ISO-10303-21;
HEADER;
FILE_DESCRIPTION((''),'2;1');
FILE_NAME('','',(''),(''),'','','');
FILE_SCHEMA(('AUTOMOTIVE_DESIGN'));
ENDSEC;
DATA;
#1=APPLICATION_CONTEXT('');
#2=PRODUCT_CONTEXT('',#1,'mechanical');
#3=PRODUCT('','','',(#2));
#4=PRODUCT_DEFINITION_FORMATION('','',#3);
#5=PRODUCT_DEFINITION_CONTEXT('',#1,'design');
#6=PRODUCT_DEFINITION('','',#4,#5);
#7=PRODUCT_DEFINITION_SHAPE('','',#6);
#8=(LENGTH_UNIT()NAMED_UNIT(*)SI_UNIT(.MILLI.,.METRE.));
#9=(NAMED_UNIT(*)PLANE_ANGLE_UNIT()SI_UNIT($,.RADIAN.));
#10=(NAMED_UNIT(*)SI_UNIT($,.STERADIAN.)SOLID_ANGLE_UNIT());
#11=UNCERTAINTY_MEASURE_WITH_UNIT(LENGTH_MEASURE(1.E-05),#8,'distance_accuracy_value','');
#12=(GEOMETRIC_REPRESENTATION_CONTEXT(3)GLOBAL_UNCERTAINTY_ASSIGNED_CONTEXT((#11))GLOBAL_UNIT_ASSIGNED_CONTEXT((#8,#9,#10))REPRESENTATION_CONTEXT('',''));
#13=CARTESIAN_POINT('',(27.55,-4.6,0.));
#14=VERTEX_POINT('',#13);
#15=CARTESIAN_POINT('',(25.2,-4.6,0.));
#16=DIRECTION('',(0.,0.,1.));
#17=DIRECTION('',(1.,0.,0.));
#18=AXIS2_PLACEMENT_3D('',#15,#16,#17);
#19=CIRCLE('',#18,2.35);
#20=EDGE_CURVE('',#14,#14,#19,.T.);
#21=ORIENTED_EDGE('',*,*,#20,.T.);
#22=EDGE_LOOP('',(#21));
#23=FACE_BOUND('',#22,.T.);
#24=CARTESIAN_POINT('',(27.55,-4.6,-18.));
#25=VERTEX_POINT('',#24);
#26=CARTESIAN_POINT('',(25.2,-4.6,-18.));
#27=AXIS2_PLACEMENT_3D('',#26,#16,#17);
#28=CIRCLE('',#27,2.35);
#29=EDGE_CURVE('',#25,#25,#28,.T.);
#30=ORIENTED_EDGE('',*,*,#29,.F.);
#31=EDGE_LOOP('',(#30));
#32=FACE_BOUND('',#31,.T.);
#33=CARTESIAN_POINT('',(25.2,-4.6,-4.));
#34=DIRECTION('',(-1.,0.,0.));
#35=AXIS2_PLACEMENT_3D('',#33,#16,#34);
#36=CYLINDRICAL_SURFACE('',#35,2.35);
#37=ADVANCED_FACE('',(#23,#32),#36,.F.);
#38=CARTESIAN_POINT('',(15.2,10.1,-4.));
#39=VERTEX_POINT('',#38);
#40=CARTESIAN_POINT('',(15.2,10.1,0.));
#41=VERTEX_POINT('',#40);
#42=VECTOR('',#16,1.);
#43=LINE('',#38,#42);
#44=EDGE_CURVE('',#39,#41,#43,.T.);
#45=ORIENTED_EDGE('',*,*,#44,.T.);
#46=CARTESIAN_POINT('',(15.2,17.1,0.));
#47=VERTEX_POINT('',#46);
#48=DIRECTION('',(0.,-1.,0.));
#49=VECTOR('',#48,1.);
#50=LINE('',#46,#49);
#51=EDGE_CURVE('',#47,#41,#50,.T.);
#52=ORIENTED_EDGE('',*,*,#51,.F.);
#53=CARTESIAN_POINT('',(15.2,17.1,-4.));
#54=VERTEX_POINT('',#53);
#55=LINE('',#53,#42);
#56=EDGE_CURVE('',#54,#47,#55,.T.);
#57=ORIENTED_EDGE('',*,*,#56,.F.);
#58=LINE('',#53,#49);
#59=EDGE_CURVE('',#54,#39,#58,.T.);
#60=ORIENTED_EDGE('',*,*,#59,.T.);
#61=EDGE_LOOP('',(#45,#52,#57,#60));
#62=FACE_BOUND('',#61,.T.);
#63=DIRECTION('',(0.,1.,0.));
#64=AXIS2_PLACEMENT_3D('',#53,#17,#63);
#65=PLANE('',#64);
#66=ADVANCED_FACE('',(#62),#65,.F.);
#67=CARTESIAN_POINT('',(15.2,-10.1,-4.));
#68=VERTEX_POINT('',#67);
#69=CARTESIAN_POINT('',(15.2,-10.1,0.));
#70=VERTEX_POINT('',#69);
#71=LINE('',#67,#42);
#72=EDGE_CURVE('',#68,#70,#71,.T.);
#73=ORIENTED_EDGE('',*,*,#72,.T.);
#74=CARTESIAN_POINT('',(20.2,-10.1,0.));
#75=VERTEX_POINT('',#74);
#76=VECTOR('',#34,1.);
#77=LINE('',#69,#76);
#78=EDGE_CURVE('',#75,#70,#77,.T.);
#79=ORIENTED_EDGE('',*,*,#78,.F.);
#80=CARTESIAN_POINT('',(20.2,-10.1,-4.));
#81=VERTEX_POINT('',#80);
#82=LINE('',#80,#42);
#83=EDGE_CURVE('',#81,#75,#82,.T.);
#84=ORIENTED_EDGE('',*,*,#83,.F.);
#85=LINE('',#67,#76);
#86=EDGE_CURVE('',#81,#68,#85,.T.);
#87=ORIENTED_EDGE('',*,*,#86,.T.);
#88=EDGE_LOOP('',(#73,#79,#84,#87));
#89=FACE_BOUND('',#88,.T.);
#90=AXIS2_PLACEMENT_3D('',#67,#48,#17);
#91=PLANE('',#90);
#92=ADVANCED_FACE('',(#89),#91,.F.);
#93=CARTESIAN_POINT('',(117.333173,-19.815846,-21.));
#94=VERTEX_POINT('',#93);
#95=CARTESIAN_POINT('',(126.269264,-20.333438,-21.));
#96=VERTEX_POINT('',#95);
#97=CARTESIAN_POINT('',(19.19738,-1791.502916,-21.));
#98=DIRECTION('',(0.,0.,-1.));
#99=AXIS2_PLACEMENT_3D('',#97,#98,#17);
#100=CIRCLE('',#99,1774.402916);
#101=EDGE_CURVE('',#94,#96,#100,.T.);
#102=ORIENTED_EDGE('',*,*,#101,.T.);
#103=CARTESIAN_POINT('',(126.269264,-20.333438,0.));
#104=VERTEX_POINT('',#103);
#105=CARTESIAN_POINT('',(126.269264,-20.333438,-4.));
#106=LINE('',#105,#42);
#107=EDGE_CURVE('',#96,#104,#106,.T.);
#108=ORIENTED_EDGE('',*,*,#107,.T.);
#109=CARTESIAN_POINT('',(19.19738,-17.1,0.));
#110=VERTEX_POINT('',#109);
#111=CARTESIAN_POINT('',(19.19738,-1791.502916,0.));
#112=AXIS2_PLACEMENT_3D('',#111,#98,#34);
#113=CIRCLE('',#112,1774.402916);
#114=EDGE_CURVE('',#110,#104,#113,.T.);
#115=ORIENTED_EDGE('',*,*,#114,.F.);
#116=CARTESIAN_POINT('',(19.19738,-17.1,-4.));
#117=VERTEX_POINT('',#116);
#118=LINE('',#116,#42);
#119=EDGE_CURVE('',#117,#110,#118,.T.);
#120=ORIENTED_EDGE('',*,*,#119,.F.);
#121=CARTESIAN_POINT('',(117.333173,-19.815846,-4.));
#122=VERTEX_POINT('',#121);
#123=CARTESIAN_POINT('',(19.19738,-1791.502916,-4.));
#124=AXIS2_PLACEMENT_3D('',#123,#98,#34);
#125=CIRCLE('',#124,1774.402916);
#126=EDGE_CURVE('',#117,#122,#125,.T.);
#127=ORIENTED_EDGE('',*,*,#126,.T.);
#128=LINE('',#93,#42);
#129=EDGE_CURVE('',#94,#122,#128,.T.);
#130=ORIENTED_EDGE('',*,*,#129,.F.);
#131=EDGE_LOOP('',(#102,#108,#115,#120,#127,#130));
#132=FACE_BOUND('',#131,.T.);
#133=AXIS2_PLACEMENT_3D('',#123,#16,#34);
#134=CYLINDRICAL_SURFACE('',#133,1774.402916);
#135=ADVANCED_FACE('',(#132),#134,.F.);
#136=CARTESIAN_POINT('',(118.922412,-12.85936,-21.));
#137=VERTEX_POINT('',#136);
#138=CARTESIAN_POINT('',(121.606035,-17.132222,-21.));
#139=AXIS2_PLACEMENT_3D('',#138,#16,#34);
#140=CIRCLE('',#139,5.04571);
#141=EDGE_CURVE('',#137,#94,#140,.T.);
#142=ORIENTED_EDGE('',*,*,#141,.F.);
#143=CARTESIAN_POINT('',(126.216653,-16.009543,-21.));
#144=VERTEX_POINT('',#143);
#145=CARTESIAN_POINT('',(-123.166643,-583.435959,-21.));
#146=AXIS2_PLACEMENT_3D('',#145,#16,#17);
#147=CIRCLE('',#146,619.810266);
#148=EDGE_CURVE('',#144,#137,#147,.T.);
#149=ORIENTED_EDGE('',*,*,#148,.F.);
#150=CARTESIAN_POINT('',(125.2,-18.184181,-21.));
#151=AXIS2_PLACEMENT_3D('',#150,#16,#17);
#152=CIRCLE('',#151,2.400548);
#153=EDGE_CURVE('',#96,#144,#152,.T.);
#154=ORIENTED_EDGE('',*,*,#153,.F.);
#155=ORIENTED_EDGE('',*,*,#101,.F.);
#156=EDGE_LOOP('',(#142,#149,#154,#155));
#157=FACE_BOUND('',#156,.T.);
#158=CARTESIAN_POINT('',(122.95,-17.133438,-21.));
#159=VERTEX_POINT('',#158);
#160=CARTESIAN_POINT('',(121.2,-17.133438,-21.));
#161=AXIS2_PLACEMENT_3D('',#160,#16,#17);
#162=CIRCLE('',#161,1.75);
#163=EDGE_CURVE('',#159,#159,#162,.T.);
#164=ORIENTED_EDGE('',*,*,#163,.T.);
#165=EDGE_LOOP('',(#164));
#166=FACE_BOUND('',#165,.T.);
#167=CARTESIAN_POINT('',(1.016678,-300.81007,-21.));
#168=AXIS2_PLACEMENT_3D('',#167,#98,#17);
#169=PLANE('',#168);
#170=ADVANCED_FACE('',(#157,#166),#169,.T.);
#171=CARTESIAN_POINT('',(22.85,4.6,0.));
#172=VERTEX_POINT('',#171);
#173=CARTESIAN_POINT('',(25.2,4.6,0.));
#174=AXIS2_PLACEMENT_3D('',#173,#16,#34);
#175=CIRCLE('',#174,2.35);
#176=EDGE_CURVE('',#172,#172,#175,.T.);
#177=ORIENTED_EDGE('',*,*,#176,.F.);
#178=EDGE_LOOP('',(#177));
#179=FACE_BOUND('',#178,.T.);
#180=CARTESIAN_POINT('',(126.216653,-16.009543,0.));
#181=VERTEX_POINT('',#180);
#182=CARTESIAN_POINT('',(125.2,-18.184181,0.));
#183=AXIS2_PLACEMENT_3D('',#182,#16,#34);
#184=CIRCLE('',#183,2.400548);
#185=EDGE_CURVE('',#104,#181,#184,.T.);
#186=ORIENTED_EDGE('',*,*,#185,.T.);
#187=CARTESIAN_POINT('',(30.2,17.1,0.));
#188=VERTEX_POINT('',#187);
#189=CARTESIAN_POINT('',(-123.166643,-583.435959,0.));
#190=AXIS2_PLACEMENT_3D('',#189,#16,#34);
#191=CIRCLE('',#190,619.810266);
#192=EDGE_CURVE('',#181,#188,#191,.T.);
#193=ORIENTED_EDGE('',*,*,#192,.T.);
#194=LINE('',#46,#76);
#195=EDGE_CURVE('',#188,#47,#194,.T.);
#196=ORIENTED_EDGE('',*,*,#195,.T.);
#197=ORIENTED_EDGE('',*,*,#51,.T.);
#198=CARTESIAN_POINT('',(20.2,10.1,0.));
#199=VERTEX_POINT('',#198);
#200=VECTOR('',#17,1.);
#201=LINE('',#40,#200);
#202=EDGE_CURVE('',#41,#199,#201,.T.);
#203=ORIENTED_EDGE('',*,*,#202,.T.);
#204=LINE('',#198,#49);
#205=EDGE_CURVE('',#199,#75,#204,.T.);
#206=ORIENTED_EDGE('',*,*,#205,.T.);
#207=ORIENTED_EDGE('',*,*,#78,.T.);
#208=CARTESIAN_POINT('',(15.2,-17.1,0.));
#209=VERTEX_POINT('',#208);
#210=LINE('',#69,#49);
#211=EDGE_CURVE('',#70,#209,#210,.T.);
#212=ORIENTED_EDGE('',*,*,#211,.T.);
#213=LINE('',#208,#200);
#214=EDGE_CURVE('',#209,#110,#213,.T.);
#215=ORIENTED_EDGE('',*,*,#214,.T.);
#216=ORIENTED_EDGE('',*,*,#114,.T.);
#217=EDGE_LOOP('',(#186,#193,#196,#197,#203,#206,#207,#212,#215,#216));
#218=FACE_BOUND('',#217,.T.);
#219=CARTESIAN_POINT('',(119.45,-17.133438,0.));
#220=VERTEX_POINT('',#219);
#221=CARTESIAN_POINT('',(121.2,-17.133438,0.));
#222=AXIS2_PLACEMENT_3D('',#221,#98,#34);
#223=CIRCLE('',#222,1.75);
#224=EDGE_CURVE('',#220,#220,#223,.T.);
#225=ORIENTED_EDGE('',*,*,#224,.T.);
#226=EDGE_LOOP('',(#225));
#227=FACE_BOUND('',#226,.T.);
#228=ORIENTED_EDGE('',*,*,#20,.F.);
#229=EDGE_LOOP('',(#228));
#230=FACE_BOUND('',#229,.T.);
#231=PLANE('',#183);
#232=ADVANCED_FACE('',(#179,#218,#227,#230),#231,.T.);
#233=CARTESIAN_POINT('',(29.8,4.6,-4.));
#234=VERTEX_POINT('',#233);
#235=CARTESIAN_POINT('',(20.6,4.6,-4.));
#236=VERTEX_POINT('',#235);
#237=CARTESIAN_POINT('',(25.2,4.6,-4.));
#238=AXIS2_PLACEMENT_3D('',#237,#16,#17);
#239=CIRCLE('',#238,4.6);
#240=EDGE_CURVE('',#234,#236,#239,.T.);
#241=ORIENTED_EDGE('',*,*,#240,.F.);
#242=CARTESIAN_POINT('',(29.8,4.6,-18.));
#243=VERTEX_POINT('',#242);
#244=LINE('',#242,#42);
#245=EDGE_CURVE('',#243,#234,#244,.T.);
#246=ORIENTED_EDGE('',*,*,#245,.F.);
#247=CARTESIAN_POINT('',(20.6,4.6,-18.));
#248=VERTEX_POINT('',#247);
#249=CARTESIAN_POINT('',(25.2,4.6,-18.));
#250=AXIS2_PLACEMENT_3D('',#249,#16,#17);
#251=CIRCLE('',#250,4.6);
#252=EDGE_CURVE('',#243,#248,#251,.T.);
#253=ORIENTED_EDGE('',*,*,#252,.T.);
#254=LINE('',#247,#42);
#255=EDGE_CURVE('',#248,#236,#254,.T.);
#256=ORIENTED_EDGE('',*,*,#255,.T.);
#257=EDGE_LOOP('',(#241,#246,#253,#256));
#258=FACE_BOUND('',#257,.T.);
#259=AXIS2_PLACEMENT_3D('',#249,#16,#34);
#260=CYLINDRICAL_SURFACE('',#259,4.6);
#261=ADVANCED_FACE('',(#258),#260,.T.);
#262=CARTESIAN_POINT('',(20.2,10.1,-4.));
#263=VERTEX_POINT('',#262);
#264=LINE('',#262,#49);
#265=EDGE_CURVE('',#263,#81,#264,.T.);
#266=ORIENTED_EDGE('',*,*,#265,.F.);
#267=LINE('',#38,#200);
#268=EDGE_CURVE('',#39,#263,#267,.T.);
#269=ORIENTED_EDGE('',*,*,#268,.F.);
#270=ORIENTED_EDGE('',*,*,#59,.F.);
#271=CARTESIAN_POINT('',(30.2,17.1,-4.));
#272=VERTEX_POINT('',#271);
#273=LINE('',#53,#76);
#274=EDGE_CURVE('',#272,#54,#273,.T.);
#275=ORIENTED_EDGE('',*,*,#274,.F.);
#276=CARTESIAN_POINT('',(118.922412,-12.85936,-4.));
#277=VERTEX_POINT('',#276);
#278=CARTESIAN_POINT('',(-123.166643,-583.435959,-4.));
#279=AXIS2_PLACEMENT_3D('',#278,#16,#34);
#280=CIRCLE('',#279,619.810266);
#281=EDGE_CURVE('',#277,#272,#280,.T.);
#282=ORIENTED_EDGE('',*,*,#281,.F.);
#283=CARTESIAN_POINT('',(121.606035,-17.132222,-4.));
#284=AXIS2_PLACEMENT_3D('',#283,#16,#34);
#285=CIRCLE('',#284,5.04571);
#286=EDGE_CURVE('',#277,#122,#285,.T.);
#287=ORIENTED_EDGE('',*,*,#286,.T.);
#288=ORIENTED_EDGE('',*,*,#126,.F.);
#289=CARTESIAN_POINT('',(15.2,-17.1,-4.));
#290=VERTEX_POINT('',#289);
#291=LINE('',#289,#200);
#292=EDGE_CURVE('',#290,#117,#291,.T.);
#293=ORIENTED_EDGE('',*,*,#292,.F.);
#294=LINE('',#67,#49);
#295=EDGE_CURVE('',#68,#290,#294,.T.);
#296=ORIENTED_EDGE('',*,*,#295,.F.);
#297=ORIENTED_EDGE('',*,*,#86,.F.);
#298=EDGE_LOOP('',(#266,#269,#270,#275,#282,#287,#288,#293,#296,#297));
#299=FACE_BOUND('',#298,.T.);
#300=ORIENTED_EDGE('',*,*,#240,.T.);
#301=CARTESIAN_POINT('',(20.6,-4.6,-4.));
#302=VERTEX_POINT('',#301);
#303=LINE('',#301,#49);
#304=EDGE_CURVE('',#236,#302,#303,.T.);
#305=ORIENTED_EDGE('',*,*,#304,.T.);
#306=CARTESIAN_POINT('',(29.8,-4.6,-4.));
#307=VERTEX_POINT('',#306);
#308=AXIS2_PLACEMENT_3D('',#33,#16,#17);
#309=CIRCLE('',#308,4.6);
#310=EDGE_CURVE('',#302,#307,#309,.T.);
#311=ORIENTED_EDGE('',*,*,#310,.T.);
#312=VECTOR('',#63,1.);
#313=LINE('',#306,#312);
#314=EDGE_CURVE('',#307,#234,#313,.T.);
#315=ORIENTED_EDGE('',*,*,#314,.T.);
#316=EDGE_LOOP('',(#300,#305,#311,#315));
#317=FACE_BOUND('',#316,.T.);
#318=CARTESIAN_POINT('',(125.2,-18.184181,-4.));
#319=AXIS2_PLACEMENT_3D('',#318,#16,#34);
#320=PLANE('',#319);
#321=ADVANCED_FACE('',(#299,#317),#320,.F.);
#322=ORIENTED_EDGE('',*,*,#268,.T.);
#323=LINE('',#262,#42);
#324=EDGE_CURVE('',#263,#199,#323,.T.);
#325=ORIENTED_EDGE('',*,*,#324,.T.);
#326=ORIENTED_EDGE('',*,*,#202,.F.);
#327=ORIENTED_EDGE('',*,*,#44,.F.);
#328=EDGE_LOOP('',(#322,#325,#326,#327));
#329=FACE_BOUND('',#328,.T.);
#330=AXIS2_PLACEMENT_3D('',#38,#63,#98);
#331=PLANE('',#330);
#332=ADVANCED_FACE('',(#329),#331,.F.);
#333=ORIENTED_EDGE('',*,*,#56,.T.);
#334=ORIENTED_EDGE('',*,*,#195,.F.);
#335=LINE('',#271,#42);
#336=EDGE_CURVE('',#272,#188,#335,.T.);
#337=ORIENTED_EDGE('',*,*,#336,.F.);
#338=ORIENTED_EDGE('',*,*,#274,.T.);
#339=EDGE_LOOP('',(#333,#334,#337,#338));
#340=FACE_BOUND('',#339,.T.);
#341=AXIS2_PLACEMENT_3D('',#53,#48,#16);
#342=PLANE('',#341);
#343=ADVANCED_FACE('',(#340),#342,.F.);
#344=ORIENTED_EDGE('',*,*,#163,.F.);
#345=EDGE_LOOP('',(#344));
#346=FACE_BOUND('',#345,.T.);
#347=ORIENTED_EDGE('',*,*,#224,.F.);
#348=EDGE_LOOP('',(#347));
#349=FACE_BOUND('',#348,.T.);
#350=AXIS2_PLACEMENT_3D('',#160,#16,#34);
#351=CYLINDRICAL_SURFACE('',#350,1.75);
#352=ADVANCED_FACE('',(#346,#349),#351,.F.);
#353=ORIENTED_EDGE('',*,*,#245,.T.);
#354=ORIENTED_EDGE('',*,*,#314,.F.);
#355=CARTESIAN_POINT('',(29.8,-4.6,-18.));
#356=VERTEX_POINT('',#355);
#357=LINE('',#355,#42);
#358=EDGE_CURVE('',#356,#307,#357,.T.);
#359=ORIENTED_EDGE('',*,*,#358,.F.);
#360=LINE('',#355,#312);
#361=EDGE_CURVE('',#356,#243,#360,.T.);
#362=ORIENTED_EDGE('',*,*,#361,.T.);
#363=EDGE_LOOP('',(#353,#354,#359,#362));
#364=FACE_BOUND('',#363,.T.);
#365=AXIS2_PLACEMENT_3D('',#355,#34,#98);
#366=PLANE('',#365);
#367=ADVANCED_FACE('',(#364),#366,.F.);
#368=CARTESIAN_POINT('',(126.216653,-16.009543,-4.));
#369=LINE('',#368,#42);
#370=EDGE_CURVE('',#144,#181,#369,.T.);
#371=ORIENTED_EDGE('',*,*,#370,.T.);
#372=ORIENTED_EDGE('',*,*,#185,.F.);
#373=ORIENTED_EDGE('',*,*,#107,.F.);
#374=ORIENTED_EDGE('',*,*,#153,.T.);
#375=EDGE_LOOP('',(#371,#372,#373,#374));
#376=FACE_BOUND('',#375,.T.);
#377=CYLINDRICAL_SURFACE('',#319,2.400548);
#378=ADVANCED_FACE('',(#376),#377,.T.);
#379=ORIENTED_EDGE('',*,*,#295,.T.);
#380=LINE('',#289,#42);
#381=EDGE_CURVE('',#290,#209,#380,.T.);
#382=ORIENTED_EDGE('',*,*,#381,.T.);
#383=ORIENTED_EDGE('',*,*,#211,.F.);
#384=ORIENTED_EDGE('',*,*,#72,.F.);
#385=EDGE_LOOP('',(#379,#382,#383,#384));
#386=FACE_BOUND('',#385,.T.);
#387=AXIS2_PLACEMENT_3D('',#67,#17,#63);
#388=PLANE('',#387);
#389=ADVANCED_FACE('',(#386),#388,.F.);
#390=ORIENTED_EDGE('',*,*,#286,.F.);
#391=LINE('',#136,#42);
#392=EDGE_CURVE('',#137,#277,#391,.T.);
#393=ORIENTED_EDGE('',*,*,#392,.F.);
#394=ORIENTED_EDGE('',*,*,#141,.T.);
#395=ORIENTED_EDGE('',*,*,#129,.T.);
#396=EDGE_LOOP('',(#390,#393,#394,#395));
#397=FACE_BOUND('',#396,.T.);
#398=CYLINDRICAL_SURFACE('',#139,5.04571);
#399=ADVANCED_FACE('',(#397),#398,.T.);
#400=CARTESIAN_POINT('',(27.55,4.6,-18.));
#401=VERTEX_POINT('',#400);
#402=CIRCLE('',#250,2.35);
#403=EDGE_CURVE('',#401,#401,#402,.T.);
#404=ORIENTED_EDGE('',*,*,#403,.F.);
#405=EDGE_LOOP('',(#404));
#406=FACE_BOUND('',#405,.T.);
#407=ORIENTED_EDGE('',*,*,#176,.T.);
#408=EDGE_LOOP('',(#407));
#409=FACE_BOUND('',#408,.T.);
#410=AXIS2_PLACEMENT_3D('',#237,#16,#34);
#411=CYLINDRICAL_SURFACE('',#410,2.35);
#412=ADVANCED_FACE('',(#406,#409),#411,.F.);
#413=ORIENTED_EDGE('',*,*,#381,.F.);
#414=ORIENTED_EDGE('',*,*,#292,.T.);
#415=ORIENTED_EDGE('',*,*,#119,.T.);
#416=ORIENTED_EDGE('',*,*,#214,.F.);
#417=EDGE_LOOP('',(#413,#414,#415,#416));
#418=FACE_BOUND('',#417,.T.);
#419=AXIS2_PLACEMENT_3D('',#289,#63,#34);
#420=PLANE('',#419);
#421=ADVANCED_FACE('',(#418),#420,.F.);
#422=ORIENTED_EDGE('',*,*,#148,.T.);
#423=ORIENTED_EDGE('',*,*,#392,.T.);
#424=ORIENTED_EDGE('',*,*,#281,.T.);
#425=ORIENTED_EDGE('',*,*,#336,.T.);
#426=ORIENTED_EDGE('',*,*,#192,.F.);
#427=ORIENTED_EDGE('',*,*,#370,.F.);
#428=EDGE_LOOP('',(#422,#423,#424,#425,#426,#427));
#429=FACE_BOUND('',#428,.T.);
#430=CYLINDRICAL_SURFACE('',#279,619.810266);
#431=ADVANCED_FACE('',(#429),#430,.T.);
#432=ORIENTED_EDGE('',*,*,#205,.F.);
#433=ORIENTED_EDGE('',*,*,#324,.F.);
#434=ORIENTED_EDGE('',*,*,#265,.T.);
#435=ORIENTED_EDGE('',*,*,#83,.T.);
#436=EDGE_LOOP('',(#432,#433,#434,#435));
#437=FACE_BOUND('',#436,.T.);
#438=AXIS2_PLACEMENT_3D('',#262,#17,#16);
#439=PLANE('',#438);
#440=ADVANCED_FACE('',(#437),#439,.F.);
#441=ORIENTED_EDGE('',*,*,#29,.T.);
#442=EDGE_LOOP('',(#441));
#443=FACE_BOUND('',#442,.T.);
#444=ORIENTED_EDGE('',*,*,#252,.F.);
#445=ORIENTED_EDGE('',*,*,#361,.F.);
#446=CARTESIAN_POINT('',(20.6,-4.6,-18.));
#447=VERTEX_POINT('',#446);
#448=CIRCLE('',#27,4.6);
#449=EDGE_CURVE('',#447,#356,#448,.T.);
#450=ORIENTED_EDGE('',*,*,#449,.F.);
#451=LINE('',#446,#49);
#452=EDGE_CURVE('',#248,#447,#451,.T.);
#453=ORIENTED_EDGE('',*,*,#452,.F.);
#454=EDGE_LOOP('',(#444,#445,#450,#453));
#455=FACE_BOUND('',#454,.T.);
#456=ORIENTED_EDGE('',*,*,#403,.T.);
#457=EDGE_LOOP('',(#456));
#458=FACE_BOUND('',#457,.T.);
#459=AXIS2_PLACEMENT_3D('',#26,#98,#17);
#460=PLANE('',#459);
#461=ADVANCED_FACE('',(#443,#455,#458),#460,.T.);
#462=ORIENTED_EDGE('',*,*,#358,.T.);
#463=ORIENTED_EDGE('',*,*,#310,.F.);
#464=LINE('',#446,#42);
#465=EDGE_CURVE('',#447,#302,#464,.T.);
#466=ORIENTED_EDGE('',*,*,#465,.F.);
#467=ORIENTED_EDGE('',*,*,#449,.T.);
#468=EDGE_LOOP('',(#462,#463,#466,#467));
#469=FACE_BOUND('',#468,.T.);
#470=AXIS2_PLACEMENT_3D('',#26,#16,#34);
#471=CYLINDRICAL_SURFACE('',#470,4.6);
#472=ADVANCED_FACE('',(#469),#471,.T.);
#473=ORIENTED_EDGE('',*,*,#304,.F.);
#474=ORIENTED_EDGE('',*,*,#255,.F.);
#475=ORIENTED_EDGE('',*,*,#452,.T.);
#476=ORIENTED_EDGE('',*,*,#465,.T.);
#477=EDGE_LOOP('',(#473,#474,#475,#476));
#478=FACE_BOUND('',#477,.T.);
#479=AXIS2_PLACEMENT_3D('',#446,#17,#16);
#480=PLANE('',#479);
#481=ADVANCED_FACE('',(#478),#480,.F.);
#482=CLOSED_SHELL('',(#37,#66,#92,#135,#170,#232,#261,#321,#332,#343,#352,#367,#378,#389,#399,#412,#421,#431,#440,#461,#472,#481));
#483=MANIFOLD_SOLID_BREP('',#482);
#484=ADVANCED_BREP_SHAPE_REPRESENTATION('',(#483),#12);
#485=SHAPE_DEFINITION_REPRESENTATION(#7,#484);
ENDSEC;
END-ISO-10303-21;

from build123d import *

# Parameters (mm, degrees)
SZKIC2_R                    = 2.35
DODANIE_WYCI_GNI_CIE1_DEPTH = 4
SZKIC3_R                    = 1.75
DODANIE_WYCI_GNI_CIE2_DEPTH = 17
DODANIE_WYCI_GNI_CIE3_DEPTH = 14
SZKIC6_R                    = 2.35
SZKIC6_R_2                  = 1.75
WYTNIJ_WYCI_GNI_CIE2_DEPTH  = 131.905876654


with BuildPart() as part:
    # Szkic2 → Dodanie-wyciągnięcie1 (new body)
    with BuildSketch(Plane.XY):
        with BuildLine():
            Line((15.2, 17.1), (15.2, 10.1))
            Line((15.2, 10.1), (20.2, 10.1))
            Line((20.2, 10.1), (20.2, -10.1))
            Line((20.2, -10.1), (15.2, -10.1))
            Line((15.2, -10.1), (15.2, -17.1))
            Line((15.2, -17.1), (19.197379501, -17.1))
            ThreePointArc((19.197379501, -17.1), (72.757727431, -17.908543704), (126.269263581, -20.333437957))
            ThreePointArc((126.269263581, -20.333437957), (127.600370297, -18.154974458), (126.216652739, -16.009543491))
            ThreePointArc((126.216652739, -16.009543491), (78.887653554, 2.515256091), (30.2, 17.1))
            Line((30.2, 17.1), (15.2, 17.1))
        make_face()
        with Locations(Location((25.2, 4.6, 0), (0, 0, 180))):
            Circle(SZKIC2_R, mode=Mode.SUBTRACT)
        with Locations((25.2, -4.6)):
            Circle(SZKIC2_R, mode=Mode.SUBTRACT)
    extrude(amount=DODANIE_WYCI_GNI_CIE1_DEPTH)

    # Szkic3 → Dodanie-wyciągnięcie2 (add)
    with BuildSketch(Plane.XY.offset(4)):
        with BuildLine():
            ThreePointArc((126.269263581, -20.333437957), (121.801544753, -20.069007105), (117.33317317, -19.815845914))
            ThreePointArc((117.33317317, -19.815845914), (116.687057134, -16.008461108), (118.922411718, -12.859360463))
            ThreePointArc((118.922411718, -12.859360463), (122.574580097, -14.42276365), (126.216652739, -16.009543491))
            ThreePointArc((126.216652739, -16.009543491), (127.600370297, -18.154974458), (126.269263581, -20.333437957))
        make_face()
        with Locations((121.2, -17.133437957)):
            Circle(SZKIC3_R, mode=Mode.SUBTRACT)
    extrude(amount=DODANIE_WYCI_GNI_CIE2_DEPTH)

    # Szkic5 → Dodanie-wyciągnięcie3 (add)
    with BuildSketch(Plane.XY.offset(4)):
        with BuildLine():
            Line((20.6, -4.6), (20.6, 4.6))
            ThreePointArc((20.6, 4.6), (25.2, 9.2), (29.8, 4.6))
            Line((29.8, 4.6), (29.8, -4.6))
            ThreePointArc((29.8, -4.6), (25.2, -9.2), (20.6, -4.6))
        make_face()
    extrude(amount=DODANIE_WYCI_GNI_CIE3_DEPTH)

    # Szkic6 → Wytnij-wyciągnięcie2 (cut, through all)
    with BuildSketch(Plane(origin=(0, 0, 0), x_dir=(-1, 0, 0), z_dir=(0, 0, -1))):
        with Locations(Location((-25.2, -4.6, 0), (0, 0, 180))):
            Circle(SZKIC6_R)
        with Locations((-25.2, 4.6)):
            Circle(SZKIC6_R)
        with Locations((-121.2, -17.133437957)):
            Circle(SZKIC6_R_2)
    extrude(amount=-WYTNIJ_WYCI_GNI_CIE2_DEPTH, mode=Mode.SUBTRACT)


with BuildPart() as body_2:
    # Lustro1: mirrored copy
    add(part.part.mirror(Plane(origin=(125.2, -18.184180883, 0), x_dir=(1, 0, 0), z_dir=(0, 0, -1))))


solid = body_2.part
